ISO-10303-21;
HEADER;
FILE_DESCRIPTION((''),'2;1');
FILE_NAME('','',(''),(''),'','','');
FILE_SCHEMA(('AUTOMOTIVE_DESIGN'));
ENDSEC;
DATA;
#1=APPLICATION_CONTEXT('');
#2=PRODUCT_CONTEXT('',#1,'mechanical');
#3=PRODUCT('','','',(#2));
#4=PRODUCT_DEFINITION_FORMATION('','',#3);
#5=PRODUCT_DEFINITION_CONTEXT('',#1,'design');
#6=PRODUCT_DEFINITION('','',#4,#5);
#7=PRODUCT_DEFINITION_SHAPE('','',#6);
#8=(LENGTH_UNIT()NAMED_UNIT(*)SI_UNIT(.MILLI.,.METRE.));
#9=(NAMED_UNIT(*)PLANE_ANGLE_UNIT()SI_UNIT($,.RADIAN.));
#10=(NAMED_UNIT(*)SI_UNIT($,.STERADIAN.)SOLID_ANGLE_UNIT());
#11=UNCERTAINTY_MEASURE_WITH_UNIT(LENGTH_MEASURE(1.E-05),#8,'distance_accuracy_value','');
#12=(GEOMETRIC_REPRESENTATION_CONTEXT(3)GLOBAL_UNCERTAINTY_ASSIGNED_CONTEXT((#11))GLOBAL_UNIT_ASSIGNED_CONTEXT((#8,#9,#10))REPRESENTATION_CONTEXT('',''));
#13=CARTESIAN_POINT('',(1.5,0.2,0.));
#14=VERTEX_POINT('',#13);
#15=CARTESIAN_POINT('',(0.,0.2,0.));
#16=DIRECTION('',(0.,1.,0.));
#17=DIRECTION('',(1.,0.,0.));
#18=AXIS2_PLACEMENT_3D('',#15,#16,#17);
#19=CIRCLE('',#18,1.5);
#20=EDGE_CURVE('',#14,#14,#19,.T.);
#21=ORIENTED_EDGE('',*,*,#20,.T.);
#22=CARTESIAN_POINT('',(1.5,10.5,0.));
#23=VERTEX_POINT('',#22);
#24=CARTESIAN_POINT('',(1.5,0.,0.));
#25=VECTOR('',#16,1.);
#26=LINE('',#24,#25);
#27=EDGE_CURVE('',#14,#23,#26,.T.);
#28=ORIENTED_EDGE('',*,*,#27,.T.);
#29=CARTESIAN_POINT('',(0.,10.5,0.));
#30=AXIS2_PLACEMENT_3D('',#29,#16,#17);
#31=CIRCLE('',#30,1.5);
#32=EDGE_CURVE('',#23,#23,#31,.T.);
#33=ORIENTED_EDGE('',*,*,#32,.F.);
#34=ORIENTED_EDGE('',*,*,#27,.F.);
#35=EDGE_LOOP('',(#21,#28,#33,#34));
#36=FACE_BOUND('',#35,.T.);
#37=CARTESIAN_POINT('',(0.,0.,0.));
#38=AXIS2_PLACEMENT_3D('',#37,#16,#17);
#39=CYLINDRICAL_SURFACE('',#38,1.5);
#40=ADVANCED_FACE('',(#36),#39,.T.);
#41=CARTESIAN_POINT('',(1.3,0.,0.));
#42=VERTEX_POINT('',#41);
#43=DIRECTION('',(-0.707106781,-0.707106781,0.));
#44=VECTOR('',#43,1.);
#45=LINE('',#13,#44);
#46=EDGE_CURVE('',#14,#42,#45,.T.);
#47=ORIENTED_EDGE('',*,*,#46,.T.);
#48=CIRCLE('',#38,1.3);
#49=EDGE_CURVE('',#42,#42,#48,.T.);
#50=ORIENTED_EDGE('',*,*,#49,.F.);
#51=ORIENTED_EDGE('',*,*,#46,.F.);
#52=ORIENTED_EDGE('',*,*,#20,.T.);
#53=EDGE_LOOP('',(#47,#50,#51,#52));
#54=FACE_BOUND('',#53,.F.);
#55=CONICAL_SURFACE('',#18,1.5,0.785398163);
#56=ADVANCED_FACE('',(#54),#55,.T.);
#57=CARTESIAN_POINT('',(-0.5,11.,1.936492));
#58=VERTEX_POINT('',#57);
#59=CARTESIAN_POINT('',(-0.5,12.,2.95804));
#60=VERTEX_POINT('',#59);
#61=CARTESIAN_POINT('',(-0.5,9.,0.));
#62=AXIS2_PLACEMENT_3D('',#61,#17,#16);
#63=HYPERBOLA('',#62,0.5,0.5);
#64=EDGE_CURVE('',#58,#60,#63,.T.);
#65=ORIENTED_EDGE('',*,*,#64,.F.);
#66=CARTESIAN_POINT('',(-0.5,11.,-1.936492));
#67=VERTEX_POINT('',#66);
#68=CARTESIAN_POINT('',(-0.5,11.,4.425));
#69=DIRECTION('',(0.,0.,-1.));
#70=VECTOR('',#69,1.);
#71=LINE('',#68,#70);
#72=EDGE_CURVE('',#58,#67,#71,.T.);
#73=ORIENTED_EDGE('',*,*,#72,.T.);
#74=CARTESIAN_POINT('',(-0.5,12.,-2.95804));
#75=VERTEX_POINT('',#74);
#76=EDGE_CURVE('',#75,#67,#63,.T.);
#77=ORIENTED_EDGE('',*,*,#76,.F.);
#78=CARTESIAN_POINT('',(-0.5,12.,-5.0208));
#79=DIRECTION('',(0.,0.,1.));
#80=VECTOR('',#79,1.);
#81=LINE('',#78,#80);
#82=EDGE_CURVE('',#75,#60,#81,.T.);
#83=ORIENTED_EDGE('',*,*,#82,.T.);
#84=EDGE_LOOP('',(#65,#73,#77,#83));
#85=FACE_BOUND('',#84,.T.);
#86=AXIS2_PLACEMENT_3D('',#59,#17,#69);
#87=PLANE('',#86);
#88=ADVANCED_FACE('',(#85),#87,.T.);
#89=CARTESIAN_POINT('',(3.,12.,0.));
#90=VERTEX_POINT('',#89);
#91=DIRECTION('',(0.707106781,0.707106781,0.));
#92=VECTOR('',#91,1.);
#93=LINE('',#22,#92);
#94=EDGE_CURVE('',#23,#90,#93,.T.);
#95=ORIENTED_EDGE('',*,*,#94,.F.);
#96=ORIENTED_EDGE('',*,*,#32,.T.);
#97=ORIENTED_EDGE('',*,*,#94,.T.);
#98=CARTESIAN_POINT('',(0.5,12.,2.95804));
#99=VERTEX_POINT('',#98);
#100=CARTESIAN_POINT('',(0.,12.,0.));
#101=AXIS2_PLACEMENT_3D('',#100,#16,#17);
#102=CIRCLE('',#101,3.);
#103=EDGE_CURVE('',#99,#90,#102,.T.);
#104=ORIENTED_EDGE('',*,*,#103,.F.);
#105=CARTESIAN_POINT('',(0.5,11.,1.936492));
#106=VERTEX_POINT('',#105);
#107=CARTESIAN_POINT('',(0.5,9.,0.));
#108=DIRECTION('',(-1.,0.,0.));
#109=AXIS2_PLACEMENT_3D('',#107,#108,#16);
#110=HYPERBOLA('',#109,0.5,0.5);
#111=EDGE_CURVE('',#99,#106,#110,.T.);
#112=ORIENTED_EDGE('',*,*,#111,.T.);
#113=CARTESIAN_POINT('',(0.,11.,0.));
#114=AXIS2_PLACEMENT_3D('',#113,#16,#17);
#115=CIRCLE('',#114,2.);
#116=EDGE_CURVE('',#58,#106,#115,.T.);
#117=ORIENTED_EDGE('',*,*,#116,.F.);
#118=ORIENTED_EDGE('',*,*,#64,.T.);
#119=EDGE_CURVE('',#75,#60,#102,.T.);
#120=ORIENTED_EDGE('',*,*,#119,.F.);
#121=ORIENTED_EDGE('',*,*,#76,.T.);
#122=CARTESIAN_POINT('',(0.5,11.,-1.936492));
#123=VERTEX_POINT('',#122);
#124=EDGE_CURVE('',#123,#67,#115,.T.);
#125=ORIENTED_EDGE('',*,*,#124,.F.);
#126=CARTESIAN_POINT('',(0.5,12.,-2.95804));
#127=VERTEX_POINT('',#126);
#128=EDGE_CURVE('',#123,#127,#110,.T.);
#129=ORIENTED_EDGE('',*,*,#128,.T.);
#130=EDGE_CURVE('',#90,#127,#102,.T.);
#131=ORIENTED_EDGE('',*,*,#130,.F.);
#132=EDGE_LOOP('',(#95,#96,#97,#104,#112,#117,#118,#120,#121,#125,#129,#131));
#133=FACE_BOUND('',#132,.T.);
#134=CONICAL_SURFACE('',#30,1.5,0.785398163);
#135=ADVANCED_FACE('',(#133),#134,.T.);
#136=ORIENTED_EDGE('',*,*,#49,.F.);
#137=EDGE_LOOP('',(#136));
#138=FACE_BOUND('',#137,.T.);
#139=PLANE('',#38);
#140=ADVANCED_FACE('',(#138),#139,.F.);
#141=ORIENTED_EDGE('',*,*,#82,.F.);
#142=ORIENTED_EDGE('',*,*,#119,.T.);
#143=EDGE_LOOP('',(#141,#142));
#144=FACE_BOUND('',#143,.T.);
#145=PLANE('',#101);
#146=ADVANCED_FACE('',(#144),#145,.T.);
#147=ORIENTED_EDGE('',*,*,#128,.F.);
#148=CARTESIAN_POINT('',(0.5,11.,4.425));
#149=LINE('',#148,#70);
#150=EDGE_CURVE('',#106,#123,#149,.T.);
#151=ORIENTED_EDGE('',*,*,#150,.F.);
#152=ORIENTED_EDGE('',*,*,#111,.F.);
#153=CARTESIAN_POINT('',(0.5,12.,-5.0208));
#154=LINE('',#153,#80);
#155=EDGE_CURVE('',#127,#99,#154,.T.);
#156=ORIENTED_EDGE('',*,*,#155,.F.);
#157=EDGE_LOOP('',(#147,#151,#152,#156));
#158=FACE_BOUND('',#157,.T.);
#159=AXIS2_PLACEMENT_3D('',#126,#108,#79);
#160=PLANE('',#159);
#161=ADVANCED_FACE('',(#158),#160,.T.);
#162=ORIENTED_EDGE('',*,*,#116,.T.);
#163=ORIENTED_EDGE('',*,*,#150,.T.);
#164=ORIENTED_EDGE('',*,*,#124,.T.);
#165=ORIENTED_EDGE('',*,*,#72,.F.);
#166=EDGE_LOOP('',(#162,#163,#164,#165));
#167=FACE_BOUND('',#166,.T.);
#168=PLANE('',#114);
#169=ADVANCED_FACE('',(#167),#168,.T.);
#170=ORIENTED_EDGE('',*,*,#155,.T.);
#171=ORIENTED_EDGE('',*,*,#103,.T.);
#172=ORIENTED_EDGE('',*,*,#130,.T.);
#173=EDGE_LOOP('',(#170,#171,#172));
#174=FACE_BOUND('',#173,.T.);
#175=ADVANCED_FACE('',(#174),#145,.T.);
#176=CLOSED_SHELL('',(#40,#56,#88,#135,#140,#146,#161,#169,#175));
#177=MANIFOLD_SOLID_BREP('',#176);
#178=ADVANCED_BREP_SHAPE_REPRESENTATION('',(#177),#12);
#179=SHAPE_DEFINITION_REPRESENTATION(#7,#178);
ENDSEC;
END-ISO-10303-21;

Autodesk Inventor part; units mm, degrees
ref_plane "YZ Plane" through (0, 0, 0) normal (1, 0, 0) x (0, 1, 0)
ref_plane "XZ Plane" through (0, 0, 0) normal (0, 1, 0) x (-1, 0, 0)
ref_plane "XY Plane" through (0, 0, 0) normal (0, 0, 1) x (1, 0, 0)
sketch "Sketch1" plane through (0, 0, 0) normal (0, 0, 1) x (1, 0, 0)
  line L0 (0, 0) -> (1.5, 0)
  line L1 (1.5, 0) -> (1.5, 10.5)
  line L2 (1.5, 10.5) -> (3, 12)
  line L3 (3, 12) -> (0, 12)
  line L4 (0, 12) -> (0, 0)
  line L5 (0, -2.4) -> (0, 14.4) projected
  dimension "d2" = 1.5
  dimension "d3" = 12
  dimension "d6" = 0
  dimension "d7" = 0
  dimension "d8" = 45
  dimension "d9" = 3
revolve "Revolution1" add sketch "Sketch1" angle 360 about axis through (0, -10, 0) along (0, 1, 0)
sketch "Sketch2" plane through (0, 12, 0) normal (0, 1, 0) x (1, 0, 0)
  circle A0 centre (0, 0) radius 3 projected
  line L0 (-0.5, 5.0208) -> (0.5, 5.0208)
  line L1 (0.5, 5.0208) -> (0.5, -4.425)
  line L2 (0.5, -4.425) -> (-0.5, -4.425)
  line L3 (-0.5, -4.425) -> (-0.5, 5.0208)
  dimension "d10" = 1
  dimension "d11" = 0.5
extrude "Extrusion1" cut sketch "Sketch2" against normal blind 1 contours L1 A0 L3 | A0 L3 L0 L1 | L1 L2 L3 A0
thread "Thread2" size "M3x0.5" class "6g" standard "ANSI Metric M Profile" full length
chamfer "Chamfer1" distance 0.2 angle 45 1 edges at (-1.5, 0, 0)
equation "\"d11\" = 0.5 * d10"
properties part number "XGEN_M3_screw"
